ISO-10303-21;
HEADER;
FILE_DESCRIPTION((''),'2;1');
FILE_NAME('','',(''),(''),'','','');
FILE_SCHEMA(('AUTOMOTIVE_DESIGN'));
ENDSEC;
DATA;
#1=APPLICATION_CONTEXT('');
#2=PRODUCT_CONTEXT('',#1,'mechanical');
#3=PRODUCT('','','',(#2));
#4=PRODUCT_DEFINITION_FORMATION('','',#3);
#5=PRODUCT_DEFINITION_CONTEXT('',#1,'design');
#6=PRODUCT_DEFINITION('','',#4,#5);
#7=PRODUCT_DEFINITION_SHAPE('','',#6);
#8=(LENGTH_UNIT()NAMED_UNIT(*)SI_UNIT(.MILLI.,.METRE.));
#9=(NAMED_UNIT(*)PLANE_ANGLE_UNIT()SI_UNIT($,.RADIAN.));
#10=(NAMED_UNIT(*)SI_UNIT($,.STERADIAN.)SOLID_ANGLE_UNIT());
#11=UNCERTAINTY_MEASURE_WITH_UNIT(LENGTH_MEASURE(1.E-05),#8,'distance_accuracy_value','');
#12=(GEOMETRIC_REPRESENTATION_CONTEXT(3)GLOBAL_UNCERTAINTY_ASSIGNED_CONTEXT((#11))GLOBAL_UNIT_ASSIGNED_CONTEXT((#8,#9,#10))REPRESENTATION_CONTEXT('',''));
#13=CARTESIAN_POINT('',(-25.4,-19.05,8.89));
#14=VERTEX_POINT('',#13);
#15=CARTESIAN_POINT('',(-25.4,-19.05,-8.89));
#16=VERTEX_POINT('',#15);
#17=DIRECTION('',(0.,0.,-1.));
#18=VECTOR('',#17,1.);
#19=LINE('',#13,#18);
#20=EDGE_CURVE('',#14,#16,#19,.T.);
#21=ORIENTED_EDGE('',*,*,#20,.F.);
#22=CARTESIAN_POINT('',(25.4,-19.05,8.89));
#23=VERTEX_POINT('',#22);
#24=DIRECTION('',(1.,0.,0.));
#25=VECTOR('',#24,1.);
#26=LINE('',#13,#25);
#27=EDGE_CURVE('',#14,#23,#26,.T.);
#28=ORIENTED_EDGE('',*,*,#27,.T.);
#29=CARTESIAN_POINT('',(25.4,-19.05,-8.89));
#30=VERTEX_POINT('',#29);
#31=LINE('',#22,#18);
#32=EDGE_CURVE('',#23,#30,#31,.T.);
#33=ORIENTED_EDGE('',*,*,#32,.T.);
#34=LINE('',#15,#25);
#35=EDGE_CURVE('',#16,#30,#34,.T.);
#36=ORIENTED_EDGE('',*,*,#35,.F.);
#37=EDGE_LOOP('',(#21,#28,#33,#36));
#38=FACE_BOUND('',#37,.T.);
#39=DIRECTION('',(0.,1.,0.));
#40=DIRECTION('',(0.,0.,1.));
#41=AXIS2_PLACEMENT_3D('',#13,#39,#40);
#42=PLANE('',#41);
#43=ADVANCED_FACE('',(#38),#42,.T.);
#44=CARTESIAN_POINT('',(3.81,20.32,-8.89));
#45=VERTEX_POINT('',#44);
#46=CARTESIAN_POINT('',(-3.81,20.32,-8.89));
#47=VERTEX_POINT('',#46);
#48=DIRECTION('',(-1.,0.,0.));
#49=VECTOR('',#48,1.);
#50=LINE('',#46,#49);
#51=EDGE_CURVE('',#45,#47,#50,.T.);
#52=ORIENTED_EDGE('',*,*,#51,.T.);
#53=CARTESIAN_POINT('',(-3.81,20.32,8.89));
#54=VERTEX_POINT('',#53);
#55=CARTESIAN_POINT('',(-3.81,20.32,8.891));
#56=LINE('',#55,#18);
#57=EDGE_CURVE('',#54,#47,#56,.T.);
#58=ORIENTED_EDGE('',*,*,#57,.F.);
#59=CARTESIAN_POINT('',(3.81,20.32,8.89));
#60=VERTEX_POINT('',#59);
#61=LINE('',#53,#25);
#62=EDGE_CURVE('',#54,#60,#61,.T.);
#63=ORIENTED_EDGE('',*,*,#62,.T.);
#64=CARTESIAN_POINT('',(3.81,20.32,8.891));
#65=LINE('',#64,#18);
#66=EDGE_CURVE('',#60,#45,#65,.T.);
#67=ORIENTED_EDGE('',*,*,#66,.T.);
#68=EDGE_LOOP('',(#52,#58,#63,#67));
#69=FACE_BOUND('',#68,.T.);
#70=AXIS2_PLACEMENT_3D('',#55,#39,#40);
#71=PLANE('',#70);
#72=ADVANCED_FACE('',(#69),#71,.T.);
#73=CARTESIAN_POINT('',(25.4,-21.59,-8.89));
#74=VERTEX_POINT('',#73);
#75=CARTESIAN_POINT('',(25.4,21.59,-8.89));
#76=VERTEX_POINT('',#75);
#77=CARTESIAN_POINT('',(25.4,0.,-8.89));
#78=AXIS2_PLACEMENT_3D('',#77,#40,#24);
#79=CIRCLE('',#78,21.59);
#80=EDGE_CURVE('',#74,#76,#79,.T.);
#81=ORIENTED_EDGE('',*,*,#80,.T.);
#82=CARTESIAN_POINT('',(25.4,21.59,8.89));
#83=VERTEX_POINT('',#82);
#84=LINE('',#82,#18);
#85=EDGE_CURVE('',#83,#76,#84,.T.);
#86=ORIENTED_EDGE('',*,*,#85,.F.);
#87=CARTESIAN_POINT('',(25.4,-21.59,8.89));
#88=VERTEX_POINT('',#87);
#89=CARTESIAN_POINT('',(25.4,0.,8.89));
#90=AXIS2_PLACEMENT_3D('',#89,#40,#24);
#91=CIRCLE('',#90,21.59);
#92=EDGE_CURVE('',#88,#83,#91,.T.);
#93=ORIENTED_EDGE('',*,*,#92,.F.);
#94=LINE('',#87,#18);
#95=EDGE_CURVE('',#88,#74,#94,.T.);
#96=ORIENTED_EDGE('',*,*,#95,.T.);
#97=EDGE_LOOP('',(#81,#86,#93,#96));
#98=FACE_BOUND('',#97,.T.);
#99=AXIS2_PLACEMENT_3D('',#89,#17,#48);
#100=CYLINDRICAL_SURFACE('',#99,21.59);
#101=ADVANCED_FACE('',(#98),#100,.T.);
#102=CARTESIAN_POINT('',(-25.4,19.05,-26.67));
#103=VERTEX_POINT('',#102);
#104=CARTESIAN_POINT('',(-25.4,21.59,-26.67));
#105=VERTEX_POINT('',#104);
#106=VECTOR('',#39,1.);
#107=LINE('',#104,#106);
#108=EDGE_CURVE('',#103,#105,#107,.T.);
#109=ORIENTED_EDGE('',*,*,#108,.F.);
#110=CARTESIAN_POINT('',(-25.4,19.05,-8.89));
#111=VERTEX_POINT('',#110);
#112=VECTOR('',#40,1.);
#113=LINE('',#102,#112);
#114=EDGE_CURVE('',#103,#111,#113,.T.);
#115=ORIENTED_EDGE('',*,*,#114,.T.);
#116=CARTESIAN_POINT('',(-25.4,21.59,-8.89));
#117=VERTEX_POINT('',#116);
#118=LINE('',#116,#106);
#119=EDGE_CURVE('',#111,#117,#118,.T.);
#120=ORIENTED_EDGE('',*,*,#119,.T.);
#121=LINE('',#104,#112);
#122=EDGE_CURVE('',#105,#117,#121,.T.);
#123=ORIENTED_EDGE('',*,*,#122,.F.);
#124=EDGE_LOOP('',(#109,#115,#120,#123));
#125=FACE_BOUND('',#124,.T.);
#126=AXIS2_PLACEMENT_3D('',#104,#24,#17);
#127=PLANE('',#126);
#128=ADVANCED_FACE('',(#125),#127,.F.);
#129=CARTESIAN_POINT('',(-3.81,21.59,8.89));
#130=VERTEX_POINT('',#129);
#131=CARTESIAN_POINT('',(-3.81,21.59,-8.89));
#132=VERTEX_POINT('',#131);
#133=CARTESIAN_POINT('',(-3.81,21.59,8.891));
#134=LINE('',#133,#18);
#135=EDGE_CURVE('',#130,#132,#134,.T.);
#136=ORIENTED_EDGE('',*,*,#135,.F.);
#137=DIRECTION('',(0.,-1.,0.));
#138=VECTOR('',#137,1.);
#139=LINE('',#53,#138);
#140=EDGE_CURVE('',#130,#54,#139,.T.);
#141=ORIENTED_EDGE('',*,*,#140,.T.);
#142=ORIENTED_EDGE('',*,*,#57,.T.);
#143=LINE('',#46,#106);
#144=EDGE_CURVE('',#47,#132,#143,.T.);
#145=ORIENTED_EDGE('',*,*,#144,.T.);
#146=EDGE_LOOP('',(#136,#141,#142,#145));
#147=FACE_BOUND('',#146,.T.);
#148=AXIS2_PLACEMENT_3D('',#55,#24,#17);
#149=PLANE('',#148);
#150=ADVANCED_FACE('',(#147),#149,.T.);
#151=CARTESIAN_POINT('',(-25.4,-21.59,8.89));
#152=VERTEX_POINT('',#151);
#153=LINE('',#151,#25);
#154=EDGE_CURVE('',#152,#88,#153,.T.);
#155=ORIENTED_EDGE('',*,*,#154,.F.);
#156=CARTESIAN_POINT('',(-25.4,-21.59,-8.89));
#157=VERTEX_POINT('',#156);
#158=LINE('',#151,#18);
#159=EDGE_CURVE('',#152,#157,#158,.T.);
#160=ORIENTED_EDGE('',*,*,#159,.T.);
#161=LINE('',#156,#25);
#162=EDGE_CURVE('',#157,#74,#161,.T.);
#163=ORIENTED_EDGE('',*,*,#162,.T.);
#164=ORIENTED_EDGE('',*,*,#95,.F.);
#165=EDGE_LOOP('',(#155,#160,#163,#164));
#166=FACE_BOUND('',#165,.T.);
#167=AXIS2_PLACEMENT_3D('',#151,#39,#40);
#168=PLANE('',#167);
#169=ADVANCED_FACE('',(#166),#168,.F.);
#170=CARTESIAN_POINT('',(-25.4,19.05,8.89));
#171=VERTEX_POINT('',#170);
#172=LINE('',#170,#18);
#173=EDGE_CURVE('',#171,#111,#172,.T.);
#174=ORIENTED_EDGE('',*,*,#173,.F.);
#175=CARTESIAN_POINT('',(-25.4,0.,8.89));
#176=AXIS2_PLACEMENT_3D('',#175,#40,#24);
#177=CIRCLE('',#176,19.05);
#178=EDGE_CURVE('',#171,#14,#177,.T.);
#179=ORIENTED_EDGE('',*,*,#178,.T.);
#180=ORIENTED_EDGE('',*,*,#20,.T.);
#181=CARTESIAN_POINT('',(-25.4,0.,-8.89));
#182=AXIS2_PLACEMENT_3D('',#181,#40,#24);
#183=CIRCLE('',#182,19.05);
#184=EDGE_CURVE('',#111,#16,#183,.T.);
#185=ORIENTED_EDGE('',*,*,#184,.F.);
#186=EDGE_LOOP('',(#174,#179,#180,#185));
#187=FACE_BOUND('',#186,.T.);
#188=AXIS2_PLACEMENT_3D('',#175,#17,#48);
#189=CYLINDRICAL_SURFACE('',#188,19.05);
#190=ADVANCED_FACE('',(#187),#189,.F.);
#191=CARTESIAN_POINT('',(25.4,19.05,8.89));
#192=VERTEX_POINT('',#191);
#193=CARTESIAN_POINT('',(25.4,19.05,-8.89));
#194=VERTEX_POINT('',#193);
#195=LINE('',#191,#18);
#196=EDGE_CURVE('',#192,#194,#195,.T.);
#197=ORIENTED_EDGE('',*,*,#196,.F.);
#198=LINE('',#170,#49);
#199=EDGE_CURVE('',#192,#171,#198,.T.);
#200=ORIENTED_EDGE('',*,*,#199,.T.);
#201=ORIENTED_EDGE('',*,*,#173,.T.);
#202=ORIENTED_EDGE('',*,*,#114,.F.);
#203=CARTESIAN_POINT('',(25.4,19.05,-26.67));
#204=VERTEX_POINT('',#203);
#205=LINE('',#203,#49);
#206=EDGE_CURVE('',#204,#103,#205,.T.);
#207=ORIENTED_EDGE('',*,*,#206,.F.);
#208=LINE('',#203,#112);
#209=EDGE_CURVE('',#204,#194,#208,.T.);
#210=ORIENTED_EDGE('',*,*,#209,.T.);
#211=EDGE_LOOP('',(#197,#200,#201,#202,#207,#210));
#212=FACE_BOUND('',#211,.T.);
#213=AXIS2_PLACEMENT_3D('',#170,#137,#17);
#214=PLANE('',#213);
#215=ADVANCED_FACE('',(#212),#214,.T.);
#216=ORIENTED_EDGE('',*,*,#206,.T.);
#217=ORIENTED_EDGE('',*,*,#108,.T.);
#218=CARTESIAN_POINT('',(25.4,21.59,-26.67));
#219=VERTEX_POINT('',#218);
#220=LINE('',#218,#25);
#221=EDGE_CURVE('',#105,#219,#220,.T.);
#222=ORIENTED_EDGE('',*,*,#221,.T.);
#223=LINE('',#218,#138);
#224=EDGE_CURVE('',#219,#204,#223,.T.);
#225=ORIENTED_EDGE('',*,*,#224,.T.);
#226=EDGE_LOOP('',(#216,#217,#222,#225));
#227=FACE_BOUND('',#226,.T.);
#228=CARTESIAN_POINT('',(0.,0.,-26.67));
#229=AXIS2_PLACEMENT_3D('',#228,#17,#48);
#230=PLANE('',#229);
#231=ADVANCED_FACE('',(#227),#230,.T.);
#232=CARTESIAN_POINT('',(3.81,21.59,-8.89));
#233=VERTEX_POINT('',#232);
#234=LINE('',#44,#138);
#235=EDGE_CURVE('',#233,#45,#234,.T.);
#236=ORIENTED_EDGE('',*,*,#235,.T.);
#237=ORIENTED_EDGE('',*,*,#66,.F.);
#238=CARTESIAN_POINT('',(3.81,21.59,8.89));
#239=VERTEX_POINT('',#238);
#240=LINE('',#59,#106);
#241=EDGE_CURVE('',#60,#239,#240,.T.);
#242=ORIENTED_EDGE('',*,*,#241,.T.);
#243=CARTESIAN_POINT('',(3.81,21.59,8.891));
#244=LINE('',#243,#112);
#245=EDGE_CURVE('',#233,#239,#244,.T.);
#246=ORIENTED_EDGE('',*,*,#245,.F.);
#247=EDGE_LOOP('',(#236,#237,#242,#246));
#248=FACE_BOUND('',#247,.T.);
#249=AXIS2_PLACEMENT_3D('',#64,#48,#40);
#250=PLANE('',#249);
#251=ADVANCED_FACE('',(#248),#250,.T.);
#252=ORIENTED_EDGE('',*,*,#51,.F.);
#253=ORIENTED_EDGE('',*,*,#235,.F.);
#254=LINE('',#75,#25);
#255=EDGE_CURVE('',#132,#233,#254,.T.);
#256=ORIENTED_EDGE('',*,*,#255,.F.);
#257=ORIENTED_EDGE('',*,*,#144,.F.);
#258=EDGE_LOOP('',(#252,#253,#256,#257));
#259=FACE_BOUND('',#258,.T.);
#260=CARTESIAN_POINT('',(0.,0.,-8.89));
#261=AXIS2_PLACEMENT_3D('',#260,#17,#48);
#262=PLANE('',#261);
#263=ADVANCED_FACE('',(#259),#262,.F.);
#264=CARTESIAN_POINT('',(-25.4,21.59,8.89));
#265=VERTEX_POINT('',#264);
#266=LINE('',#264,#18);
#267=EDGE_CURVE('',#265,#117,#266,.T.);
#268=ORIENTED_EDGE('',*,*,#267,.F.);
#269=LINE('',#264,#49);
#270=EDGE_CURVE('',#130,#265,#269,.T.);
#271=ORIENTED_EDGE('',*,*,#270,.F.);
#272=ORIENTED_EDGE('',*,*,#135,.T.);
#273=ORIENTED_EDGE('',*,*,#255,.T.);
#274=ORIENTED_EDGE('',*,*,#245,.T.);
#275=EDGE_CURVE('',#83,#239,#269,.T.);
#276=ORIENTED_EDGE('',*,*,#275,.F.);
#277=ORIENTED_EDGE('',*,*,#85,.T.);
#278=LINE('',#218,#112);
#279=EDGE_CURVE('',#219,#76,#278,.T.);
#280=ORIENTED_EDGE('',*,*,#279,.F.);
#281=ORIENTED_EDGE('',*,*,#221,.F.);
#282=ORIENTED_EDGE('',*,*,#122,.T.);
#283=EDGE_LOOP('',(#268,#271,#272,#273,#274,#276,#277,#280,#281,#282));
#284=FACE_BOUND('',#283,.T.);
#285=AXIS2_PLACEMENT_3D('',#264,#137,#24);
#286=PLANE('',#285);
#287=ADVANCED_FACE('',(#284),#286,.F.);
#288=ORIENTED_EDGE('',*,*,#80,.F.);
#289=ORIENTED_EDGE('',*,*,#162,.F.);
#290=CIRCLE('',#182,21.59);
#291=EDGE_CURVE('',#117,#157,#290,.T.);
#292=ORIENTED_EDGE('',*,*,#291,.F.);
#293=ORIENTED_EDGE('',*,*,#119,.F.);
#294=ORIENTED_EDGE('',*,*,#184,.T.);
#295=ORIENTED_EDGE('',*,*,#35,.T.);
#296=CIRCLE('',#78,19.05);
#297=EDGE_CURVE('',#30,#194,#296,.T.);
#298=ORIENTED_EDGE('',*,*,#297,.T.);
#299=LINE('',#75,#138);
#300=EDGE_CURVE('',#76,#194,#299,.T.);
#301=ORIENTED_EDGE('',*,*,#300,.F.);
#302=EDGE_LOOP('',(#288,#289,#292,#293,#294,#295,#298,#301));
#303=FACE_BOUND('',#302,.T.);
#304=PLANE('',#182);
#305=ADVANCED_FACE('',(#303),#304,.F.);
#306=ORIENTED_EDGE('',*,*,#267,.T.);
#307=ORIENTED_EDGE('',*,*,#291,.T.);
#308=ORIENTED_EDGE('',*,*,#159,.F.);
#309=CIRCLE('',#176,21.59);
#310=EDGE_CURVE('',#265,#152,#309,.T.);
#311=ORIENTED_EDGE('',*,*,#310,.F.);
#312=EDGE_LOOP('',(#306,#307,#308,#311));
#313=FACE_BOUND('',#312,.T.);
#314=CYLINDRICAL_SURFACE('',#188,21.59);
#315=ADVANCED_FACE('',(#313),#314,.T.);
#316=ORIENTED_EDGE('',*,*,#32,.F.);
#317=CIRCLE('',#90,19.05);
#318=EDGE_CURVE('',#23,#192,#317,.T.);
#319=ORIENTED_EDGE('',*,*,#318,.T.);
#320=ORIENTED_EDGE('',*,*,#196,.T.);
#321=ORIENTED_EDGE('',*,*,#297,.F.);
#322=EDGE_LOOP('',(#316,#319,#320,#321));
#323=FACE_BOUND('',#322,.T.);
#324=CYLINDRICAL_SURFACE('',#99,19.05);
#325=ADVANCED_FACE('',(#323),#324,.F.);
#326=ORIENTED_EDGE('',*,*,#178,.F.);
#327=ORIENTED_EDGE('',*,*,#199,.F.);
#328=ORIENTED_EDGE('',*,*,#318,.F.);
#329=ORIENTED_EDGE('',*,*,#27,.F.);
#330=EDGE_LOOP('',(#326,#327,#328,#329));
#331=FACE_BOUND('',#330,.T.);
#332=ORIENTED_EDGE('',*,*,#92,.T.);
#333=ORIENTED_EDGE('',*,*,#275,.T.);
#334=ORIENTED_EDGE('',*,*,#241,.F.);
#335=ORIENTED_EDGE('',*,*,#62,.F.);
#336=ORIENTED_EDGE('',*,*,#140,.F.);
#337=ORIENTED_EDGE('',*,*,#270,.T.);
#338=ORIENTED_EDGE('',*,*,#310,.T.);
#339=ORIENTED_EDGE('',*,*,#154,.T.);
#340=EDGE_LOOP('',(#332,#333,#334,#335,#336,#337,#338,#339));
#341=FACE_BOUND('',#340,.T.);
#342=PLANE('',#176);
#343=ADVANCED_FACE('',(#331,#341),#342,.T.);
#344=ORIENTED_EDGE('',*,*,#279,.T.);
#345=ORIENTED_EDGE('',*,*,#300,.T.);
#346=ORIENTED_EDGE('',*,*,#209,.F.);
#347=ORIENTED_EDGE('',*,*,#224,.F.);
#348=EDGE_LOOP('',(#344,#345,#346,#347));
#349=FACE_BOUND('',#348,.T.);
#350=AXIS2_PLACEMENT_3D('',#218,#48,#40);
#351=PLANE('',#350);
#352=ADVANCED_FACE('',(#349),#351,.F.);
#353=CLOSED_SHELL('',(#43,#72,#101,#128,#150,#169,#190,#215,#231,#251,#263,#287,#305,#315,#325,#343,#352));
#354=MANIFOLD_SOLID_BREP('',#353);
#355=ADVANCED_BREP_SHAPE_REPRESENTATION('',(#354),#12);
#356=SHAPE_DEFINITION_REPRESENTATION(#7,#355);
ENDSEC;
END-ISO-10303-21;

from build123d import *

# Parameters (mm, degrees)
BOSS_EXTRUDE1_DEPTH            = 8.89
CUT_EXTRUDE1_REACH             = 10.89
SKETCH3_W                      = 7.62
SKETCH3_H                      = 2.54
CUT_EXTRUDE1_DIRECTION_2_REACH = 10.89
SKETCH4_W                      = 50.8
SKETCH4_H                      = 2.54
BOSS_EXTRUDE2_DEPTH            = 17.78


with BuildPart() as part:
    # Sketch2 → Boss-Extrude1 (new body, symmetric)
    with BuildSketch(Plane.XY):
        with BuildLine():
            Line((-25.4, 21.59), (25.4, 21.59))
            ThreePointArc((25.4, 21.59), (46.99, 0), (25.4, -21.59))
            Line((25.4, -21.59), (-25.4, -21.59))
            ThreePointArc((-25.4, -21.59), (-46.99, 0), (-25.4, 21.59))
        make_face()
        with BuildLine():
            Line((-25.4, 19.05), (25.4, 19.05))
            ThreePointArc((25.4, 19.05), (44.45, 0), (25.4, -19.05))
            Line((25.4, -19.05), (-25.4, -19.05))
            ThreePointArc((-25.4, -19.05), (-44.45, 0), (-25.4, 19.05))
        make_face(mode=Mode.SUBTRACT)
    extrude(amount=BOSS_EXTRUDE1_DEPTH, both=True)

    # Sketch3 → Cut-Extrude1 (cut, up to next)
    with BuildSketch(Plane.XY, mode=Mode.PRIVATE) as cut_extrude1_sk1:
        with Locations((0, 21.59)):
            Rectangle(SKETCH3_W, SKETCH3_H)
    cut_extrude1_tool1 = extrude(cut_extrude1_sk1.sketch, amount=-CUT_EXTRUDE1_REACH, mode=Mode.PRIVATE) & part.part
    add(cut_extrude1_tool1.solids().sort_by_distance((0, 21.59, 0))[0], mode=Mode.SUBTRACT)

    # Sketch3 → Cut-Extrude1 direction 2 (cut, up to next)
    with BuildSketch(Plane.XY, mode=Mode.PRIVATE) as cut_extrude1_direction_2_sk1:
        with Locations((0, 21.59)):
            Rectangle(SKETCH3_W, SKETCH3_H)
    cut_extrude1_direction_2_tool1 = extrude(cut_extrude1_direction_2_sk1.sketch, amount=CUT_EXTRUDE1_DIRECTION_2_REACH, mode=Mode.PRIVATE) & part.part
    add(cut_extrude1_direction_2_tool1.solids().sort_by_distance((0, 21.59, 0))[0], mode=Mode.SUBTRACT)

    # Sketch4 → Boss-Extrude2 (add)
    with BuildSketch(Plane(origin=(0, 0, -8.89), x_dir=(-1, 0, 0), z_dir=(0, 0, -1))):
        with Locations((0, 20.32)):
            Rectangle(SKETCH4_W, SKETCH4_H)
    extrude(amount=BOSS_EXTRUDE2_DEPTH)


solid = part.part
